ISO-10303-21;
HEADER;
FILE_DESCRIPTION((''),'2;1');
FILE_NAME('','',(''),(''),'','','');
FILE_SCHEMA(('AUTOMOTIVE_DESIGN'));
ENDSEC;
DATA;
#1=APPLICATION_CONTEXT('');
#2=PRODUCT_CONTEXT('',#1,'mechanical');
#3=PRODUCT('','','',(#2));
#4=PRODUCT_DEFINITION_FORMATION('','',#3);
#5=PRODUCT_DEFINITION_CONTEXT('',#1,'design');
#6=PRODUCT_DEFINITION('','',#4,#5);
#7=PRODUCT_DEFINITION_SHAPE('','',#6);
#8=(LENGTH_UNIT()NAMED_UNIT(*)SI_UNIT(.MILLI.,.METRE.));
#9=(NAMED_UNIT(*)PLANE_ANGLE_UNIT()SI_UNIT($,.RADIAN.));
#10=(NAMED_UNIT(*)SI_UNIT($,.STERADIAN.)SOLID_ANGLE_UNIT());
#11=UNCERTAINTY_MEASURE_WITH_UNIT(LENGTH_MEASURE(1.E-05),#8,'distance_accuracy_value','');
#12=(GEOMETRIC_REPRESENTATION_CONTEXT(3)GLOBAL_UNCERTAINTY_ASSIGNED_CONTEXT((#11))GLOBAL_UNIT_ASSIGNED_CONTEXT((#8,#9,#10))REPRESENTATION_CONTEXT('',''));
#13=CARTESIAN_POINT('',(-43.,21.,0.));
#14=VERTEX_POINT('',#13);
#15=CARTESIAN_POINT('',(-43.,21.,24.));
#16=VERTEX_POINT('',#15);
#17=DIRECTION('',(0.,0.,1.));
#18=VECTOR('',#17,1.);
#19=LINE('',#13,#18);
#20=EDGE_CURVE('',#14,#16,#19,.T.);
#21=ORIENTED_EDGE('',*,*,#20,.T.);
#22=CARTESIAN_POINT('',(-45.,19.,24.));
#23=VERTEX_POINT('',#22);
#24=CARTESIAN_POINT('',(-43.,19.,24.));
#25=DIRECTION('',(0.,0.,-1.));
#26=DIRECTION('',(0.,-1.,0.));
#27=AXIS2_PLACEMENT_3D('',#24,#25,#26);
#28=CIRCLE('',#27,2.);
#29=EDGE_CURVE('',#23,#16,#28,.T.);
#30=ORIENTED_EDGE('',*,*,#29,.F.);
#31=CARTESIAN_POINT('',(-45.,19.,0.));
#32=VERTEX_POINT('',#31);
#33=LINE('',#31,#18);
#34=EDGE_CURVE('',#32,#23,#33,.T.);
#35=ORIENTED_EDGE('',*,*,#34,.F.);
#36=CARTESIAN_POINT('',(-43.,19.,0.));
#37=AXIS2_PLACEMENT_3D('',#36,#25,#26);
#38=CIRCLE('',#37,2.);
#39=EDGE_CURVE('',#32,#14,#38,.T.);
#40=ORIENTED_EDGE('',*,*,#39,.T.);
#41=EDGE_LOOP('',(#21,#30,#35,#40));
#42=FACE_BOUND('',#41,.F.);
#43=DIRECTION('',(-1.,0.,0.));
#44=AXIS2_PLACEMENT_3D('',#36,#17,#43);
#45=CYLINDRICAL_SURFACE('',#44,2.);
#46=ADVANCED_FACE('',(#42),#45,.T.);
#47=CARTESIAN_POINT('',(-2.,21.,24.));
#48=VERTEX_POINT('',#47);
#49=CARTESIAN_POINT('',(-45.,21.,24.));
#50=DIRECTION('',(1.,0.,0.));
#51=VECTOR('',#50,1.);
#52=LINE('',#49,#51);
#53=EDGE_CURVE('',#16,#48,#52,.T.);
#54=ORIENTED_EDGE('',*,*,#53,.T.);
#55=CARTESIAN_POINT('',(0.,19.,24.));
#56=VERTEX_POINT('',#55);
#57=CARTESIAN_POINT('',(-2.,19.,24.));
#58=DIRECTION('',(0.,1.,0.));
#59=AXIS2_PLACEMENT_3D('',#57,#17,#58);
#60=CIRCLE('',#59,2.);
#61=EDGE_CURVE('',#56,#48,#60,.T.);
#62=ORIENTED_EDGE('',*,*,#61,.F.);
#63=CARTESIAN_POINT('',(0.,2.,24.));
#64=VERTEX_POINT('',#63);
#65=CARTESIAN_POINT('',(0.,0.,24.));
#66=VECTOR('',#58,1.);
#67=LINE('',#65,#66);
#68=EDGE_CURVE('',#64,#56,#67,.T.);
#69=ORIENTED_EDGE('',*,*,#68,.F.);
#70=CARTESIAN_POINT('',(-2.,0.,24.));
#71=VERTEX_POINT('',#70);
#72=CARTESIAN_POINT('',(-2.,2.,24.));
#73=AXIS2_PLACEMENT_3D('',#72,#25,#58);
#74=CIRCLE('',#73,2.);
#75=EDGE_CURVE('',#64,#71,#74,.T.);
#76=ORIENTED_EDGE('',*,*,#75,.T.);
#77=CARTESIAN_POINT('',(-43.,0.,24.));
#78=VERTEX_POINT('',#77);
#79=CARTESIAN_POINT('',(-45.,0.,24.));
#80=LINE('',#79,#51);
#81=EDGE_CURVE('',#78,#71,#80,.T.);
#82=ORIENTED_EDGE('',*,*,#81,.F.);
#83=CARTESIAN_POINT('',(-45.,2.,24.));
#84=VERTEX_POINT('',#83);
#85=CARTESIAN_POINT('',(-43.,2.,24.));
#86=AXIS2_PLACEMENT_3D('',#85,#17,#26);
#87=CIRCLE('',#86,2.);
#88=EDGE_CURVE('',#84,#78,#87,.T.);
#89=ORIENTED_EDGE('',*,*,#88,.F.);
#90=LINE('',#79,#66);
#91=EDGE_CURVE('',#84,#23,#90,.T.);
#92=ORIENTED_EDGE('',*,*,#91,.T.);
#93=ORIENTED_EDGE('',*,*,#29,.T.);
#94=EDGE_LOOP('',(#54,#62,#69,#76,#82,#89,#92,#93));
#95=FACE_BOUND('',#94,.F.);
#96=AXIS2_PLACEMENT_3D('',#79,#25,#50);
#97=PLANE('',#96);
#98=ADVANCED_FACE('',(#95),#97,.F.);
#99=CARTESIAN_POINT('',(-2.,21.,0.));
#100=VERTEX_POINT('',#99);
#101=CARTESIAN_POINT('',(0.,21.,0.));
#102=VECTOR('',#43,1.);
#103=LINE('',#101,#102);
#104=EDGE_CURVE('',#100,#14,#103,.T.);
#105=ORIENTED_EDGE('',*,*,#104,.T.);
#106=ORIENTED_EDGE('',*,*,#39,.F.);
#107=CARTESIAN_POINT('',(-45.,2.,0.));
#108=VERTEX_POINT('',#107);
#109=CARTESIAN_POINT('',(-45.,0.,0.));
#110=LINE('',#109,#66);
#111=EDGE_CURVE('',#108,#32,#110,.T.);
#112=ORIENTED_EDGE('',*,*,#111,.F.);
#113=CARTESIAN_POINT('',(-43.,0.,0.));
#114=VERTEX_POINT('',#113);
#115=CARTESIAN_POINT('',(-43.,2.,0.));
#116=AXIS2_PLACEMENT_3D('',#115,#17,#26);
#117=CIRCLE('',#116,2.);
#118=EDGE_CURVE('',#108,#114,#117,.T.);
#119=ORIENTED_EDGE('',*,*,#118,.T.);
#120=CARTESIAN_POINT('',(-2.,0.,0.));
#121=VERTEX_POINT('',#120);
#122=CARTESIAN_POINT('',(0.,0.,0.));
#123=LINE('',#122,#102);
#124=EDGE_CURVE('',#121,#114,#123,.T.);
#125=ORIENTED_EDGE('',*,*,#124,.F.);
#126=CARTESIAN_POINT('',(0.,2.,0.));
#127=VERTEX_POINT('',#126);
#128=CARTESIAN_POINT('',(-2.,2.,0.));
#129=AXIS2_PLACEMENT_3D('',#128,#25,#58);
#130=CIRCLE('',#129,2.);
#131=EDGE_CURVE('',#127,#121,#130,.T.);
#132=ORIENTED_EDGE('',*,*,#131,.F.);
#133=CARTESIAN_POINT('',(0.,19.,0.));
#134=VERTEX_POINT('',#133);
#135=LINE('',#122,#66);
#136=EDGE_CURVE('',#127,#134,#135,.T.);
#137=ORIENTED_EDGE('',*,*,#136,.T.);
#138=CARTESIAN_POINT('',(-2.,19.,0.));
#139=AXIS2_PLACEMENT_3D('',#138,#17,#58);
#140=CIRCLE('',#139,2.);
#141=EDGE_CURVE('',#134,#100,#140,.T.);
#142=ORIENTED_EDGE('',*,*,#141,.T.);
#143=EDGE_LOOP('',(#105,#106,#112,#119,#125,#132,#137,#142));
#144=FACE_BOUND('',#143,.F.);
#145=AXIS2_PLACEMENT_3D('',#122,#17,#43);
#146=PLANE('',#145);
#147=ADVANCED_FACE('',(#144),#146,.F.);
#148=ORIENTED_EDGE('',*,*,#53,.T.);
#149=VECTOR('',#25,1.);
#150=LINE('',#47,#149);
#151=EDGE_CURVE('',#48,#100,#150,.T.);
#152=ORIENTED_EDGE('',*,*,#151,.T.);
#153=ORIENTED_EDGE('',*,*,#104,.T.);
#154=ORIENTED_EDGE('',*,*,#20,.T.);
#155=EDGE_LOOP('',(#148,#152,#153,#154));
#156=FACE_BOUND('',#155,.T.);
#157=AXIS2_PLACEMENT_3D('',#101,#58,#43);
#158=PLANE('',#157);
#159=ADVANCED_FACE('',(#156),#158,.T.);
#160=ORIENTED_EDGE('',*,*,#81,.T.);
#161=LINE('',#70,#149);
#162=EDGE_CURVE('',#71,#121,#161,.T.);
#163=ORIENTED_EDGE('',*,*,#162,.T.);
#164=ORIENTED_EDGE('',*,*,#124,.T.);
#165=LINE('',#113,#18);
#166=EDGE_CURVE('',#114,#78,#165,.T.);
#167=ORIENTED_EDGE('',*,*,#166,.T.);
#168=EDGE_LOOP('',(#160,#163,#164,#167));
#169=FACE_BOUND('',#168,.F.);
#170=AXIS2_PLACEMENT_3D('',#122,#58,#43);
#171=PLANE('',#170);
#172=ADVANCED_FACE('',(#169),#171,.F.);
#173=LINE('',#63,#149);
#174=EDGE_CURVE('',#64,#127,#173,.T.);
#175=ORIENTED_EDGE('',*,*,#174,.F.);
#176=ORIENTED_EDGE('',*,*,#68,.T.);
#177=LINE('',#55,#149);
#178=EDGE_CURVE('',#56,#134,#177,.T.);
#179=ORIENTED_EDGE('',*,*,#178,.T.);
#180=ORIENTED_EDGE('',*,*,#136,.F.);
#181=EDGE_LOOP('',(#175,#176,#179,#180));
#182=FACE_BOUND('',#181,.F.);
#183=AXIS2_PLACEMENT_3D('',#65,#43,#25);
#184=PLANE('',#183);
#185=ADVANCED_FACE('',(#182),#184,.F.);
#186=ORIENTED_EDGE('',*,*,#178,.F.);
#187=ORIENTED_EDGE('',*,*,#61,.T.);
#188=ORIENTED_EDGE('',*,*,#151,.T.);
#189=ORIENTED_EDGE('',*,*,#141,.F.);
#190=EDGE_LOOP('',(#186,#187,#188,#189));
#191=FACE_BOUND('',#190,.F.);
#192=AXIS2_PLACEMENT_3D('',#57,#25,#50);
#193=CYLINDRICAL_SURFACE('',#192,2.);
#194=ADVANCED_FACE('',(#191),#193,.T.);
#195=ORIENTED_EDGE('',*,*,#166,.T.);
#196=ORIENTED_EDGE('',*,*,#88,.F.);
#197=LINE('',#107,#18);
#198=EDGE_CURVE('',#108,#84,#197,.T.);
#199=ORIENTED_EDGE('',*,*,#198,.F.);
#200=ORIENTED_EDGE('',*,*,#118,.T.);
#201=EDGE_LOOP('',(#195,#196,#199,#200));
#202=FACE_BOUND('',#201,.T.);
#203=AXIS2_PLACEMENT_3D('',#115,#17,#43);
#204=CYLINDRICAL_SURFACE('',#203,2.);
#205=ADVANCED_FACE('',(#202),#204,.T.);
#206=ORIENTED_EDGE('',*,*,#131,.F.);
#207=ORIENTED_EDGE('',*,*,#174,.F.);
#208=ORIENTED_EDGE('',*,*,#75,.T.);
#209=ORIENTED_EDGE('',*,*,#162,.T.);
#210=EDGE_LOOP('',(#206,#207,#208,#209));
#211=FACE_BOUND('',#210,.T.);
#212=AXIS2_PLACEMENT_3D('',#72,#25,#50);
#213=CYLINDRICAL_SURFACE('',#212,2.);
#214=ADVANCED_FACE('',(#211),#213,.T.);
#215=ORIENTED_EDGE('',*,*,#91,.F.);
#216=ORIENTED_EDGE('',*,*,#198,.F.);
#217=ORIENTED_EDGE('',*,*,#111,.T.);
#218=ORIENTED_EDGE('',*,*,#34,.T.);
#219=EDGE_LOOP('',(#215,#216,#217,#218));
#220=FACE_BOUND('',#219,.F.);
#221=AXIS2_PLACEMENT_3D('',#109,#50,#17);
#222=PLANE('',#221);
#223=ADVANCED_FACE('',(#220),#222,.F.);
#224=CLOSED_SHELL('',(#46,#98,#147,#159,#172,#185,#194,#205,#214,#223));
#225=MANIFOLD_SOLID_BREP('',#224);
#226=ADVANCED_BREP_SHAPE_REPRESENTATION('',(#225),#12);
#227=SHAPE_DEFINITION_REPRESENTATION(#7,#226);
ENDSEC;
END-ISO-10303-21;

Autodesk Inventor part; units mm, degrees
ref_plane "YZ Plane" through (0, 0, 0) normal (1, 0, 0) x (0, 1, 0)
ref_plane "XZ Plane" through (0, 0, 0) normal (0, 1, 0) x (-1, 0, 0)
ref_plane "XY Plane" through (0, 0, 0) normal (0, 0, 1) x (1, 0, 0)
sketch "Sketch2" plane through (0, 0, 0) normal (0, 1, 0) x (-1, 0, 0)
  line L0 (0, 0) -> (45, 0)
  line L1 (45, 0) -> (45, 24)
  line L2 (45, 24) -> (0, 24)
  line L3 (0, 24) -> (0, 0)
  dimension "d6" = 45
  dimension "d7" = 24
extrude "Extrusion2" add sketch "Sketch2" along normal blind 21
fillet "Fillet3" radius 2 4 edges at (0, 21, 12) (0, 0, 12) (-45, 21, 12) (-45, 0, 12)
properties part number "Battery[45x24x21]" material "Polypropylene"
